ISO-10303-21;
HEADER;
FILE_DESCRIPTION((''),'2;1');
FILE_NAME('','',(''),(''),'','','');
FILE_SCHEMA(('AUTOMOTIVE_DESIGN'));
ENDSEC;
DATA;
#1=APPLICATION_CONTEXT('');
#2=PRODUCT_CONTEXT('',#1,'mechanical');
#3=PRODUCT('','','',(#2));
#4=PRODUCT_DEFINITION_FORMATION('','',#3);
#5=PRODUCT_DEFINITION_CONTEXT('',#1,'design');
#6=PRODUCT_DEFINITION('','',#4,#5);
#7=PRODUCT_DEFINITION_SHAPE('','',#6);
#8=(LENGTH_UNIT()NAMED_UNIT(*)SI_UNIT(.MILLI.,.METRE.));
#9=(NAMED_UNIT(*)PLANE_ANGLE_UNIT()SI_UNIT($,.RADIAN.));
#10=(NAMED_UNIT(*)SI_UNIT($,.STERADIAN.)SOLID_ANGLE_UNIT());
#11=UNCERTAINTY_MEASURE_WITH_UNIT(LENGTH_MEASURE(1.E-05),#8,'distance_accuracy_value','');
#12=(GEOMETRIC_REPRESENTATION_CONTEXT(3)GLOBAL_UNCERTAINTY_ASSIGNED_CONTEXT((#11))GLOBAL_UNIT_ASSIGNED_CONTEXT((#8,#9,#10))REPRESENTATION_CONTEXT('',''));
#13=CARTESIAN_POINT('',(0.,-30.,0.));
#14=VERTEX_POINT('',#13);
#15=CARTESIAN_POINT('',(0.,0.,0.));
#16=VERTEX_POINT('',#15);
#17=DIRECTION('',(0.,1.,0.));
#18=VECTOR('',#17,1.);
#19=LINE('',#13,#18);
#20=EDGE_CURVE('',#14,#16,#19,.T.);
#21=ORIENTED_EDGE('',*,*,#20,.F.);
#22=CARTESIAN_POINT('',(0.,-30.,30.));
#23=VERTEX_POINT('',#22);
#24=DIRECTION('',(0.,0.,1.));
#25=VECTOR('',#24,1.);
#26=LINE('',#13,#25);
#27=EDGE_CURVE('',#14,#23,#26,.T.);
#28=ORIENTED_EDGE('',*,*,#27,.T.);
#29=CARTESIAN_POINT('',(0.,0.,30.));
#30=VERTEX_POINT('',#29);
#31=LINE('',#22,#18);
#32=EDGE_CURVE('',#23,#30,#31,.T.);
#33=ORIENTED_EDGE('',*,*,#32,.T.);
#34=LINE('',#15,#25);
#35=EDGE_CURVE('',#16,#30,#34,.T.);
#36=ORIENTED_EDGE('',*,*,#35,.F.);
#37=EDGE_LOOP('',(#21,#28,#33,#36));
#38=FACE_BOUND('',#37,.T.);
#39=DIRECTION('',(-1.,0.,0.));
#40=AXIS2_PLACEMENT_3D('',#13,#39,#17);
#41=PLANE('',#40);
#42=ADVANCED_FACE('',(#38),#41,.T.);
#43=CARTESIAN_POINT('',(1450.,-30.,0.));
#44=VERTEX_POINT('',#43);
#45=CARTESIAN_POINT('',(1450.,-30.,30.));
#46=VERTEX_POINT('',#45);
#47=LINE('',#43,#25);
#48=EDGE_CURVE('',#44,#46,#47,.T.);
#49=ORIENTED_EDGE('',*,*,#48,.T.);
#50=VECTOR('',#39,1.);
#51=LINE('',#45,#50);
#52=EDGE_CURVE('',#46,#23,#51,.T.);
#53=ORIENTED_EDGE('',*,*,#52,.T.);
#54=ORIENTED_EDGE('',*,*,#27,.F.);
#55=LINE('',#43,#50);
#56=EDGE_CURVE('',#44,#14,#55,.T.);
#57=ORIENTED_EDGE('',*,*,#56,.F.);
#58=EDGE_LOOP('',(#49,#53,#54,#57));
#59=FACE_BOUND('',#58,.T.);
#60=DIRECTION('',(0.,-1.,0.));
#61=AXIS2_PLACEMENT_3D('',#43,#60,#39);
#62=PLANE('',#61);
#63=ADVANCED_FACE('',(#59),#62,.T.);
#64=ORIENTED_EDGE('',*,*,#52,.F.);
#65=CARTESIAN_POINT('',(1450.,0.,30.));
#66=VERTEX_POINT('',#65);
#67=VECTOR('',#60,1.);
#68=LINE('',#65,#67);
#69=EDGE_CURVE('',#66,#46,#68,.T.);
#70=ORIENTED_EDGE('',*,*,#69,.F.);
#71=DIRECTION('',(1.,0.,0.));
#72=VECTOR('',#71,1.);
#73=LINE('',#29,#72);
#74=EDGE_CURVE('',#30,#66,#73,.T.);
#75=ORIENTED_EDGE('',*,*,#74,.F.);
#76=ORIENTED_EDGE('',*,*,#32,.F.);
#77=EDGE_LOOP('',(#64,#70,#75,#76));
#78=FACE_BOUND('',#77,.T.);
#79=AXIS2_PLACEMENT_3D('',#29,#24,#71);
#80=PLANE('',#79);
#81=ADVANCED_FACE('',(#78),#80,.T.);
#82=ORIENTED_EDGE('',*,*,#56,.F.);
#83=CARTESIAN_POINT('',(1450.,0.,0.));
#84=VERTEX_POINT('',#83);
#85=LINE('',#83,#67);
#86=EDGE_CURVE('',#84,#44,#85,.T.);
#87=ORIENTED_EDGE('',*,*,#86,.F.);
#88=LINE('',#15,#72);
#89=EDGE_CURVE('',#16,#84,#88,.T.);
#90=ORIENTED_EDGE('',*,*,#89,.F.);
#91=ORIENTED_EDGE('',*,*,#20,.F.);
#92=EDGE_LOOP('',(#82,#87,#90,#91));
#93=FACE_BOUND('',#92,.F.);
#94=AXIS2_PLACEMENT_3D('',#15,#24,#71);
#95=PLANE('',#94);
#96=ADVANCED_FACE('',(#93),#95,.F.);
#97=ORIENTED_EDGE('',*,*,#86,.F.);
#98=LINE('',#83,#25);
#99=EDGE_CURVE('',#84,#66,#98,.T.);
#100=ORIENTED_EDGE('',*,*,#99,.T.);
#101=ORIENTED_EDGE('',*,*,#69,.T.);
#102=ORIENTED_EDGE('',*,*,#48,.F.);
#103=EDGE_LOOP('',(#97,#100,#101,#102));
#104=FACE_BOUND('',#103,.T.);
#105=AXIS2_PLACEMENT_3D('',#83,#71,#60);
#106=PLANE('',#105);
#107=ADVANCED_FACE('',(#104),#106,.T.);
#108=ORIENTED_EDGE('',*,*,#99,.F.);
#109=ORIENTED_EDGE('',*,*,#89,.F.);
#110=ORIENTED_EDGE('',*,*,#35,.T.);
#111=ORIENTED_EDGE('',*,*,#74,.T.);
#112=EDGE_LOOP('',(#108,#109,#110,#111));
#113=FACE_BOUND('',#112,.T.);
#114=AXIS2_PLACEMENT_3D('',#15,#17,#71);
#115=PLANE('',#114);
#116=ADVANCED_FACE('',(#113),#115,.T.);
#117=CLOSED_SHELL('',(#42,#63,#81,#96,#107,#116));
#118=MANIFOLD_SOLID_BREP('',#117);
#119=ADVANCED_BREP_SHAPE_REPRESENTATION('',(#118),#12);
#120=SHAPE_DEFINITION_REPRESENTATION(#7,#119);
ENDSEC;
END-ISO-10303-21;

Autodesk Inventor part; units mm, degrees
ref_plane "YZ Plane" through (0, 0, 0) normal (1, 0, 0) x (0, 1, 0)
ref_plane "XZ Plane" through (0, 0, 0) normal (0, 1, 0) x (-1, 0, 0)
ref_plane "XY Plane" through (0, 0, 0) normal (0, 0, 1) x (1, 0, 0)
sketch "Sketch1" plane through (0, 0, 0) normal (0, 0, 1) x (1, 0, 0)
  line L0 (0, 0) -> (1450, 0)
  line L1 (1450, 0) -> (1450, -30)
  line L2 (1450, -30) -> (0, -30)
  line L3 (0, -30) -> (0, 0)
  dimension "d0" = 30
  dimension "d3" = 1450
extrude "Extrusion1" add sketch "Sketch1" along normal blind 30
properties part number "apoioSuperior"
